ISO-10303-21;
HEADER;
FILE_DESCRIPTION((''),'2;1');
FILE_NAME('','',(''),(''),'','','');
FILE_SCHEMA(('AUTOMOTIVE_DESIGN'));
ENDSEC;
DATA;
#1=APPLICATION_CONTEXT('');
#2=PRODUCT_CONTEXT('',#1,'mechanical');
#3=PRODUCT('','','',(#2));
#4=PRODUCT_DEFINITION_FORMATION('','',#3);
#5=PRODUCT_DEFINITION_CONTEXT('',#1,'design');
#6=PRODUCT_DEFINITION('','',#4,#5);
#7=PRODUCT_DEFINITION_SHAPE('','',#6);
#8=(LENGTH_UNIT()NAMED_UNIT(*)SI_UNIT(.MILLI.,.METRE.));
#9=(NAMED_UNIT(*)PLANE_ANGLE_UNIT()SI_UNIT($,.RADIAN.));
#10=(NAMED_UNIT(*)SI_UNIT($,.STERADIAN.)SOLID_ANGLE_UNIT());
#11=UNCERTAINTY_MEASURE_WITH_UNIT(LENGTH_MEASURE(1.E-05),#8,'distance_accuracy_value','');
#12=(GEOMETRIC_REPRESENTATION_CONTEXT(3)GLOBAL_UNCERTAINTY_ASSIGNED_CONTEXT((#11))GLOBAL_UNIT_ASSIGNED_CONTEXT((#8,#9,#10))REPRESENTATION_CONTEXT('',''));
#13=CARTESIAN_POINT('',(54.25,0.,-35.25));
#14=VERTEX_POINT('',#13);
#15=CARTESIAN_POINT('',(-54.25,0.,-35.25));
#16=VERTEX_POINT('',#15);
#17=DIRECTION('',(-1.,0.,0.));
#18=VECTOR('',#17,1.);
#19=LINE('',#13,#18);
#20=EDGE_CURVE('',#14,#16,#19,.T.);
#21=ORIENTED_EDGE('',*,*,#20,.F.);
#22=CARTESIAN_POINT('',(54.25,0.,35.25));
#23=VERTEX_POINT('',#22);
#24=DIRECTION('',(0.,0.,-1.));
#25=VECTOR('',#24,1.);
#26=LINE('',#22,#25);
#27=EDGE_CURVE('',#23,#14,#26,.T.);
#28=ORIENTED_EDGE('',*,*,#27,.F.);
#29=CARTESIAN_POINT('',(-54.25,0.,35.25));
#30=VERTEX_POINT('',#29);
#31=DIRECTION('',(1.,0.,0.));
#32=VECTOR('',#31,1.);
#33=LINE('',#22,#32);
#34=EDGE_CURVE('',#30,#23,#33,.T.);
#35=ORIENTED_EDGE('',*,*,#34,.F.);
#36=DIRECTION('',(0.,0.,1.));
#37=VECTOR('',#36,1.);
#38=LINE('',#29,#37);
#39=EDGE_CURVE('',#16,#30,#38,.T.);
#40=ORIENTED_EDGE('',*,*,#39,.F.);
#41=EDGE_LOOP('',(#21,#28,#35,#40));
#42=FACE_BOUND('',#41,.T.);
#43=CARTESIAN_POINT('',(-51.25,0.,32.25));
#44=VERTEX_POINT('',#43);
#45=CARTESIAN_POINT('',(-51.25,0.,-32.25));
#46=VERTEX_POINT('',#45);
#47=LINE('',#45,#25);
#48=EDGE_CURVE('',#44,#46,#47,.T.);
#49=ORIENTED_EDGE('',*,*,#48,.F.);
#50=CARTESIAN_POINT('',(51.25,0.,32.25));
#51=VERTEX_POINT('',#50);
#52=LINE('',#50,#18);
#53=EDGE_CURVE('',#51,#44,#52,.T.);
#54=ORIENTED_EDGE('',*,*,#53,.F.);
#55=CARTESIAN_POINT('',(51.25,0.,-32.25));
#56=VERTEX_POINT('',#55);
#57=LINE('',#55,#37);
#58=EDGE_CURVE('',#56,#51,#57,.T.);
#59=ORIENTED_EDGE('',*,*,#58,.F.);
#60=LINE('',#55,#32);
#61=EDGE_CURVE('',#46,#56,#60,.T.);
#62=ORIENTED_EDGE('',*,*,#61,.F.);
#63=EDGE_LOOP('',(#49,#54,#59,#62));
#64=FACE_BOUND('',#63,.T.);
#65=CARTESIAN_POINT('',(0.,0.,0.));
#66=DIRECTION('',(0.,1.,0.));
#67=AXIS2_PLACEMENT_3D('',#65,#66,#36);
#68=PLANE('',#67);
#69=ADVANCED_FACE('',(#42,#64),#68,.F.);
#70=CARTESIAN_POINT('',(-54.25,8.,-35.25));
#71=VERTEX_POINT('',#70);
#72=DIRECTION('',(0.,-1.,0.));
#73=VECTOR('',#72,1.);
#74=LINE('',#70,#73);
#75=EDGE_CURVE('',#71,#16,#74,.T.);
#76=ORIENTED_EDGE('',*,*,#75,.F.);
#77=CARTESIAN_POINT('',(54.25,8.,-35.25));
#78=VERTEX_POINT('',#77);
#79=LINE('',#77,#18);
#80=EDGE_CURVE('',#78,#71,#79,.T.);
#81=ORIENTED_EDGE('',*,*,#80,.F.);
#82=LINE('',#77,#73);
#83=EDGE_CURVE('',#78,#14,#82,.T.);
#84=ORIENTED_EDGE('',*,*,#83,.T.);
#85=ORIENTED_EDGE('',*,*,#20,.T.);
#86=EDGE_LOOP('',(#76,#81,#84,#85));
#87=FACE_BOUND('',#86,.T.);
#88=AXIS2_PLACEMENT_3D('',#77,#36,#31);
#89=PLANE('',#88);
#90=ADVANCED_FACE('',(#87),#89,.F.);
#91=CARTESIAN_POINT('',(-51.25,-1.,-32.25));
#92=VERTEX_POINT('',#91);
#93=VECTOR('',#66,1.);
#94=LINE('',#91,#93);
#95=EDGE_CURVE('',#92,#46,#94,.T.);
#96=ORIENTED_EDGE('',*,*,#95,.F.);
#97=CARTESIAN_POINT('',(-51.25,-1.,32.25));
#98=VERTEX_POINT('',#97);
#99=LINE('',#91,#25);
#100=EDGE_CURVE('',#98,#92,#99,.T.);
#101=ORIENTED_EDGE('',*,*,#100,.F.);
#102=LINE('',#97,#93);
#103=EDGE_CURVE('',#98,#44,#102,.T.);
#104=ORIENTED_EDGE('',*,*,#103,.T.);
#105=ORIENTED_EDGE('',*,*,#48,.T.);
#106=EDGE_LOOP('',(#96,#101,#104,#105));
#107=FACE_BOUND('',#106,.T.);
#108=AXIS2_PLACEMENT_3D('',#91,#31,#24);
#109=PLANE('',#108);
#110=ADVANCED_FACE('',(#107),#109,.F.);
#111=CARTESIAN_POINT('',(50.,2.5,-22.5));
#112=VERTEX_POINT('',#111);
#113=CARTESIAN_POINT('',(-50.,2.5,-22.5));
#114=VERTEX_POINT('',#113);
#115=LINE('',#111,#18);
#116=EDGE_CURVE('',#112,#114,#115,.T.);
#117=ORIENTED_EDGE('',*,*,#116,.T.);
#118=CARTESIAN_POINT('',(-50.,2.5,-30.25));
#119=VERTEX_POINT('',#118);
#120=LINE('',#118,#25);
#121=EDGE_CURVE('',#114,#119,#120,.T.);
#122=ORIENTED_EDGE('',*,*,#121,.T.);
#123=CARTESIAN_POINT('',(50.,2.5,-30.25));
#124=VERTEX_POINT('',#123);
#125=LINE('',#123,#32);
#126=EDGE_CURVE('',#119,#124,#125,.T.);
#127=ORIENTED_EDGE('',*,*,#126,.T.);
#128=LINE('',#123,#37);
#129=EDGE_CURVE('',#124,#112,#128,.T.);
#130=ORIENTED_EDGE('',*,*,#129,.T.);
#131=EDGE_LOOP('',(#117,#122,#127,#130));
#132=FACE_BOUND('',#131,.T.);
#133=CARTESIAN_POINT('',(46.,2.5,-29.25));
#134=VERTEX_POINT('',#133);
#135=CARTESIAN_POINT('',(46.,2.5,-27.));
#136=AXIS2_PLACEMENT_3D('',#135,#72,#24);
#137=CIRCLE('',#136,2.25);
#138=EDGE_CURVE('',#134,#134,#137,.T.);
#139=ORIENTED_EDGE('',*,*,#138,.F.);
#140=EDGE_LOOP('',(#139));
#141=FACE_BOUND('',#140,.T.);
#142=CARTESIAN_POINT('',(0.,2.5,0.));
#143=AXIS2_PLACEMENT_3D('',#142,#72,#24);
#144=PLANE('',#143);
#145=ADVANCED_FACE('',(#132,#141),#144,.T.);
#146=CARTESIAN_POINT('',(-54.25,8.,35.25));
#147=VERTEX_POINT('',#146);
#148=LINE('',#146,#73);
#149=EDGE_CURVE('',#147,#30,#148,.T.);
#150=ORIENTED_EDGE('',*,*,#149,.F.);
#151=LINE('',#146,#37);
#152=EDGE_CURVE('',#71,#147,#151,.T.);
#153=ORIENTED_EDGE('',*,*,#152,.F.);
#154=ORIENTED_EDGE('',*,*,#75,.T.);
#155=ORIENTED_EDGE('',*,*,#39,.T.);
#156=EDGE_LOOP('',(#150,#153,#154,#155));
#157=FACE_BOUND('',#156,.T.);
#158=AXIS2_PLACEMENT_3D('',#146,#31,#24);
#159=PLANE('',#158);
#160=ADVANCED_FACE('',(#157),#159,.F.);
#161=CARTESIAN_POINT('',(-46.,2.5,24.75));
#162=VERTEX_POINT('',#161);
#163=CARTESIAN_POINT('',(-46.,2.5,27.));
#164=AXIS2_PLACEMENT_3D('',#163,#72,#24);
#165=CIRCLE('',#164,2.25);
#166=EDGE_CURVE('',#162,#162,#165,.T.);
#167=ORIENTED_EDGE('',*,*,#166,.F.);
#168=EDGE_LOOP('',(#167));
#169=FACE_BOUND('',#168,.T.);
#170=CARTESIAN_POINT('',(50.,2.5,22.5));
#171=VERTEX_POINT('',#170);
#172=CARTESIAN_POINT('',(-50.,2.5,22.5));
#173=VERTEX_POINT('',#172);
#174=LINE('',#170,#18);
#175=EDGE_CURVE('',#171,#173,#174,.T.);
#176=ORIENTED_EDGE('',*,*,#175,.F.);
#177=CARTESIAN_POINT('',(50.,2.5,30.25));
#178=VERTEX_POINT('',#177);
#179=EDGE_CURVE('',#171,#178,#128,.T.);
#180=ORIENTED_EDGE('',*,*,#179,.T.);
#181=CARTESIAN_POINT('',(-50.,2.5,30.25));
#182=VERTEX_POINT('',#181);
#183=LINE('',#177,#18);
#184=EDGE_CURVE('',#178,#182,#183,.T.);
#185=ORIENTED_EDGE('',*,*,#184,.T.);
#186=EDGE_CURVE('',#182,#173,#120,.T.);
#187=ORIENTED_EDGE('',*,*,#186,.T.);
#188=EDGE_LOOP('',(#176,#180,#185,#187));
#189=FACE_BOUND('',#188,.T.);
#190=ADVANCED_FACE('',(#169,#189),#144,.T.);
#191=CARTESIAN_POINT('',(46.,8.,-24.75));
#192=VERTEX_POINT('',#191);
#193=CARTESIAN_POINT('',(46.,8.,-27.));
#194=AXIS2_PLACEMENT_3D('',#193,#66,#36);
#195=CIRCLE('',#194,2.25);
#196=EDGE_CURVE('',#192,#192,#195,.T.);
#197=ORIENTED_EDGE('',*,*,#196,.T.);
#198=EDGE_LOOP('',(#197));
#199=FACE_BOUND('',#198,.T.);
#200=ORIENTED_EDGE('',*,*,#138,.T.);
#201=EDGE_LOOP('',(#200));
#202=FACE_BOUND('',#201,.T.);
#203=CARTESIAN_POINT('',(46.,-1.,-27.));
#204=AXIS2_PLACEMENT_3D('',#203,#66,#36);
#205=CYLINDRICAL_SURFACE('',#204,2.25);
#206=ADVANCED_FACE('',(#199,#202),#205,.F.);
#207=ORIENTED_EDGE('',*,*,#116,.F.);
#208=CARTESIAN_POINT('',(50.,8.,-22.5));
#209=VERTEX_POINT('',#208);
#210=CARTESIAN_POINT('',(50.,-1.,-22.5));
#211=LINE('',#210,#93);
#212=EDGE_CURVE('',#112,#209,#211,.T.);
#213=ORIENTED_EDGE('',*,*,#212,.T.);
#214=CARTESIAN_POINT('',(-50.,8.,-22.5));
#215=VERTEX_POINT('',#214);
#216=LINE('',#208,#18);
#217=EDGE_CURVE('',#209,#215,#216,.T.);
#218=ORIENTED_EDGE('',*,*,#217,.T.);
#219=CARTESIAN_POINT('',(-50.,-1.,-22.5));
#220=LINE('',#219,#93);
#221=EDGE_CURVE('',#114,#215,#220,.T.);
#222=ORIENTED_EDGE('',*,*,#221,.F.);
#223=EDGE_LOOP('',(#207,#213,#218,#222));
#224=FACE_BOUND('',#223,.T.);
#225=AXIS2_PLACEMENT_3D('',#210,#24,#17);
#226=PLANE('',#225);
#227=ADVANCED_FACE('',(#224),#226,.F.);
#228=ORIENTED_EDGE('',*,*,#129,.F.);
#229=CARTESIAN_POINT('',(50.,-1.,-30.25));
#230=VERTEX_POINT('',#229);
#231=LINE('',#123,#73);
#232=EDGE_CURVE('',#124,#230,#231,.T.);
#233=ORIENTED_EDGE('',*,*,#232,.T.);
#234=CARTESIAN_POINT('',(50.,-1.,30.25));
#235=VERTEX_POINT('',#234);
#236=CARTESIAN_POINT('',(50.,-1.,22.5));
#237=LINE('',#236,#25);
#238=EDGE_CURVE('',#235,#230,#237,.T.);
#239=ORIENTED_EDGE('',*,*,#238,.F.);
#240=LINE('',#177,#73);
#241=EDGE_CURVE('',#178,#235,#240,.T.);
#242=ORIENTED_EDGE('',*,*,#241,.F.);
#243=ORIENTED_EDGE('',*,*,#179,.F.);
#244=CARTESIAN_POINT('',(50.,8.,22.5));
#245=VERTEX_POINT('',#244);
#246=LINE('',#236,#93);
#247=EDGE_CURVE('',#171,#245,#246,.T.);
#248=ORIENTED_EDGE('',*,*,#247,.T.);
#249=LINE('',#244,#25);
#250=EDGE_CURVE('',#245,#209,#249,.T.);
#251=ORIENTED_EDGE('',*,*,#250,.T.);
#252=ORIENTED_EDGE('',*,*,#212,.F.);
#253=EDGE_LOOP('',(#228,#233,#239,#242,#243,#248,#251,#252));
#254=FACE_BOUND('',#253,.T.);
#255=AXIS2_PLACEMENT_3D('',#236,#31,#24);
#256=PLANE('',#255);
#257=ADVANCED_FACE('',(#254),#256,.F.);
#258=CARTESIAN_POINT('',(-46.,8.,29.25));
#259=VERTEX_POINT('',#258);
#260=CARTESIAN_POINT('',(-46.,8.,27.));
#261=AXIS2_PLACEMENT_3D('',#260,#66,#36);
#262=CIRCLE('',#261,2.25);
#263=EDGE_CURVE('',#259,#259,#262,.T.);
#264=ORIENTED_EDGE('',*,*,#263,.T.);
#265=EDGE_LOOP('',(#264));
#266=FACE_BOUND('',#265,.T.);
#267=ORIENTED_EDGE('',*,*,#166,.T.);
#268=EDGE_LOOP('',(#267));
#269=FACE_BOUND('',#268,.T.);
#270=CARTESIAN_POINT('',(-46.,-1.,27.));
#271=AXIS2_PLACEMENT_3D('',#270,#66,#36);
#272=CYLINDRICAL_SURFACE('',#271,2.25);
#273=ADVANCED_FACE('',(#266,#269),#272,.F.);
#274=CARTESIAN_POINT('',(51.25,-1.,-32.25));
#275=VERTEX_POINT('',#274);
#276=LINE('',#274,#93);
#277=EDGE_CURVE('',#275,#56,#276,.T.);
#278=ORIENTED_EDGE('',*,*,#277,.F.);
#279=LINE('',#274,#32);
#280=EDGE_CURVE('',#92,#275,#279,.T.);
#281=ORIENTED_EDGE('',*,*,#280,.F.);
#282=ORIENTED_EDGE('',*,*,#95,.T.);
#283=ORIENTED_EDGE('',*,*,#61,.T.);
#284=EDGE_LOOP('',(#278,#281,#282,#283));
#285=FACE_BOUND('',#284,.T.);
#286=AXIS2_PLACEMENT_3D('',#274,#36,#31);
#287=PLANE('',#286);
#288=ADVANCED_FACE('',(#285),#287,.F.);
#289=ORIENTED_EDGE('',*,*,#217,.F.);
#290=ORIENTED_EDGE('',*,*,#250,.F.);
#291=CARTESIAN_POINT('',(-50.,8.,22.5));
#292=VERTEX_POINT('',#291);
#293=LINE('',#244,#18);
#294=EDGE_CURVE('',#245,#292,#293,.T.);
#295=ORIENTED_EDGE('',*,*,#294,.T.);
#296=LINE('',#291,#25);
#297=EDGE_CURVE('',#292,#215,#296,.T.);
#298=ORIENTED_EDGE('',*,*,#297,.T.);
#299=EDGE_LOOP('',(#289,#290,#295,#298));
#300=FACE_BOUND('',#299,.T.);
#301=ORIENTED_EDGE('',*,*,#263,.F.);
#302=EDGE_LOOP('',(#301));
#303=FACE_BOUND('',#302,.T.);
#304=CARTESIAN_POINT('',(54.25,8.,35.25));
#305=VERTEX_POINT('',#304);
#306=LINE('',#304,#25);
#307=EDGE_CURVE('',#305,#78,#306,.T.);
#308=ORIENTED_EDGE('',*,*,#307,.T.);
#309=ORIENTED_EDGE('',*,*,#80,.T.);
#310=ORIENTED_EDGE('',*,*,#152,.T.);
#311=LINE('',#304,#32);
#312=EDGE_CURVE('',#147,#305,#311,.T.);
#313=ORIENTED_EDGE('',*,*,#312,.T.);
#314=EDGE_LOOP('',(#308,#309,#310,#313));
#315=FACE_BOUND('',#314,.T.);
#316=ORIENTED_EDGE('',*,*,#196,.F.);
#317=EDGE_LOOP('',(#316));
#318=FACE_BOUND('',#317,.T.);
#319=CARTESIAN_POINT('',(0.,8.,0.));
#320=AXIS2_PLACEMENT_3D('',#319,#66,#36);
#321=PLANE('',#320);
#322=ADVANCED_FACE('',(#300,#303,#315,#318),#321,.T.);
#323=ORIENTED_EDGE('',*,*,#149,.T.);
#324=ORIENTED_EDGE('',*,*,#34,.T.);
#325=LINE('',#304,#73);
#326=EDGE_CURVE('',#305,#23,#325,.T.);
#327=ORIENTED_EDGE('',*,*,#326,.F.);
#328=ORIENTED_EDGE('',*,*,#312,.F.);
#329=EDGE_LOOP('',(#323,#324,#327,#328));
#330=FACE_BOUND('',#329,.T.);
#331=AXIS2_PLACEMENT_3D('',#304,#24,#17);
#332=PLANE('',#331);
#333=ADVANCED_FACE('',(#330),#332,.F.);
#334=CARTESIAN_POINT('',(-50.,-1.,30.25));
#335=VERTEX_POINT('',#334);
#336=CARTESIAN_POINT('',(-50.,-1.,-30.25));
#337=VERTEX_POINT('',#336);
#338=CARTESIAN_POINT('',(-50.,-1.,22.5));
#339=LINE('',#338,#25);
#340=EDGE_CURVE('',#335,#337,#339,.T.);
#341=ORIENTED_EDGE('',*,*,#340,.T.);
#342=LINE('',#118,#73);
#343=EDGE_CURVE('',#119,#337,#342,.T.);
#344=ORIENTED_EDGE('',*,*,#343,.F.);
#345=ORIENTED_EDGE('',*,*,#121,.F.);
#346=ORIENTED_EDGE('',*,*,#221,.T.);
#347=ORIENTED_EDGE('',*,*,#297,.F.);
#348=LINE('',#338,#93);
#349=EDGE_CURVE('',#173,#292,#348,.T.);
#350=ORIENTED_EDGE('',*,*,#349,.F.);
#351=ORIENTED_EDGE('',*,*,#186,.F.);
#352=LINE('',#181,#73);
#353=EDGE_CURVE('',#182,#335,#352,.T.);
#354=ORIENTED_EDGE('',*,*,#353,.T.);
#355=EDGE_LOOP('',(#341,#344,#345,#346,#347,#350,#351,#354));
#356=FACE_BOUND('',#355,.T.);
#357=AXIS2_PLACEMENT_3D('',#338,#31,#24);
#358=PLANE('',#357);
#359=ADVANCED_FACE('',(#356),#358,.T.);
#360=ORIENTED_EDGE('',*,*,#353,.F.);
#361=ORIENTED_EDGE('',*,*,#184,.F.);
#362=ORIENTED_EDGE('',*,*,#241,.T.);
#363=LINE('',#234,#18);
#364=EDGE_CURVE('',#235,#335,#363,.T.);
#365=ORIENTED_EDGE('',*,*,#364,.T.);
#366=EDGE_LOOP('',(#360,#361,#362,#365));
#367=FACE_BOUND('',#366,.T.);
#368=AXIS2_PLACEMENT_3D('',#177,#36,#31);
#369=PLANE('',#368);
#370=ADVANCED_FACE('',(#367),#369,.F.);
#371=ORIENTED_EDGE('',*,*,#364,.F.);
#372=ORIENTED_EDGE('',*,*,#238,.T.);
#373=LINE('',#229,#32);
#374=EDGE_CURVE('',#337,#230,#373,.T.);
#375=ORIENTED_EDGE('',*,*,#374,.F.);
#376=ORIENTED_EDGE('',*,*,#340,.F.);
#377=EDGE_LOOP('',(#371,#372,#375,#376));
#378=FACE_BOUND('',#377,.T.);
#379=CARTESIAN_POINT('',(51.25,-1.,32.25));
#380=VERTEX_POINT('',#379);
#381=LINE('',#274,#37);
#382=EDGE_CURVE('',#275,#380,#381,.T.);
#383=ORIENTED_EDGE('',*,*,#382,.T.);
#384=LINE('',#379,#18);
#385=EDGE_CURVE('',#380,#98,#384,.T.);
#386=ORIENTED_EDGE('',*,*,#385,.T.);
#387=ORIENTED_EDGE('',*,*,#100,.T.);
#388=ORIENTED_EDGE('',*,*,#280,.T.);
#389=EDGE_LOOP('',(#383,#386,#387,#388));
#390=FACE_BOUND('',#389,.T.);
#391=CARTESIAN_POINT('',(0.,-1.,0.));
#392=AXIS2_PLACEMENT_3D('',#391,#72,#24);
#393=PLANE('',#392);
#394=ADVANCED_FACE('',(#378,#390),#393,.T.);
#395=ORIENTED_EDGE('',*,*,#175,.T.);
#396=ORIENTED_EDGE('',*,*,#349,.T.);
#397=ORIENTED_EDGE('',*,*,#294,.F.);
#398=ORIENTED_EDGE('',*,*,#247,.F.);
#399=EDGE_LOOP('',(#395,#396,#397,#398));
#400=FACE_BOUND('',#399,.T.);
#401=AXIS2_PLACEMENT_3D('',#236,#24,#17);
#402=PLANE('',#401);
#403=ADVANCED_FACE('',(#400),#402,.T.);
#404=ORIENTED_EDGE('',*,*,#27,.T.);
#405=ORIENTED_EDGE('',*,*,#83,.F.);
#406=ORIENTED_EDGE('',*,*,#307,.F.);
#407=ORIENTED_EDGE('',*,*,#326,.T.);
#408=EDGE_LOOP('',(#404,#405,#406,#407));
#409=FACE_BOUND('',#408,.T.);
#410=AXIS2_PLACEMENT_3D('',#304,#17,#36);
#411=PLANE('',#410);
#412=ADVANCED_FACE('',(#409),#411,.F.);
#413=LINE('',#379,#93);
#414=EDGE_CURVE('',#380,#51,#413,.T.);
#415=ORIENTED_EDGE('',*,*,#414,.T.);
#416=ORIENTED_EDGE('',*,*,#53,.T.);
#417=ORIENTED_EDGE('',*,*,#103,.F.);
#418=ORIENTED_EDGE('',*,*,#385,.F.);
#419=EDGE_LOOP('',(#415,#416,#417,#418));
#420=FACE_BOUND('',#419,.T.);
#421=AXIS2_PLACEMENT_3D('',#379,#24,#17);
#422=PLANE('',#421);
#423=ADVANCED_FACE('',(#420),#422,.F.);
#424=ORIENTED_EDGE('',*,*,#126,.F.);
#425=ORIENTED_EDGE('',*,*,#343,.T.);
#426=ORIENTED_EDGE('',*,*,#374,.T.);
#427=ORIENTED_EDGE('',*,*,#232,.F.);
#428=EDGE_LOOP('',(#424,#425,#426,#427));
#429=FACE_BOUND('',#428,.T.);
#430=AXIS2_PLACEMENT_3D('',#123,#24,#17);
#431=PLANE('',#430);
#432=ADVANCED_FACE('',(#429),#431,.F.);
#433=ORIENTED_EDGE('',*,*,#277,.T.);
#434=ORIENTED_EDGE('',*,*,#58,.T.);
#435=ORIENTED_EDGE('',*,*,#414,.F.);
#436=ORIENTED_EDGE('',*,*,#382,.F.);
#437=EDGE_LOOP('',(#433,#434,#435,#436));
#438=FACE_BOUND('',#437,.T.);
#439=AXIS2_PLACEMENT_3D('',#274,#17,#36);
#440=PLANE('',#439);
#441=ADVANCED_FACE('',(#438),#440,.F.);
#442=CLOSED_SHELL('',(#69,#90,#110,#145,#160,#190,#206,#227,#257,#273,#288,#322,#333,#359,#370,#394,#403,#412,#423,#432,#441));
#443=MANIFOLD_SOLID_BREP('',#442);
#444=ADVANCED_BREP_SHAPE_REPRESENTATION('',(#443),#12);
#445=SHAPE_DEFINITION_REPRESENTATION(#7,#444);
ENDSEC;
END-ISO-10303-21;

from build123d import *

# Parameters (mm, degrees)
SKETCH1_W           = 108.5
SKETCH1_H           = 70.5
BOSS_EXTRUDE1_DEPTH = 8
SKETCH3_W           = 102.5
SKETCH3_H           = 64.5
BOSS_EXTRUDE2_DEPTH = 1
SKETCH2_W           = 100
SKETCH2_H           = 45
CUT_EXTRUDE2_DEPTH  = 66.319407529
SKETCH4_W           = 100
SKETCH4_H           = 60.5
CUT_EXTRUDE3_DEPTH  = 3.5
SKETCH8_R           = 2.25
CUT_EXTRUDE6_DEPTH  = 66.319407529


with BuildPart() as part:
    # Sketch1 → Boss-Extrude1 (new body)
    with BuildSketch(Plane(origin=(0, 0, 0), x_dir=(1, 0, 0), z_dir=(0, 1, 0))):
        Rectangle(SKETCH1_W, SKETCH1_H)
    extrude(amount=BOSS_EXTRUDE1_DEPTH)

    # Sketch3 → Boss-Extrude2 (add)
    with BuildSketch(Plane.XZ):
        Rectangle(SKETCH3_W, SKETCH3_H)
    extrude(amount=BOSS_EXTRUDE2_DEPTH)

    # Sketch2 → Cut-Extrude2 (cut, through all)
    with BuildSketch(Plane(origin=(0, 8, 0), x_dir=(1, 0, 0), z_dir=(0, 1, 0))):
        Rectangle(SKETCH2_W, SKETCH2_H)
    extrude(amount=-CUT_EXTRUDE2_DEPTH, mode=Mode.SUBTRACT)

    # Sketch4 → Cut-Extrude3 (cut)
    with BuildSketch(Plane.XZ.offset(1)):
        Rectangle(SKETCH4_W, SKETCH4_H)
    extrude(amount=-CUT_EXTRUDE3_DEPTH, mode=Mode.SUBTRACT)

    # Sketch8 → Cut-Extrude6 (cut, through all)
    with BuildSketch(Plane(origin=(0, 8, 0), x_dir=(1, 0, 0), z_dir=(0, 1, 0))):
        with Locations(Location((-46, -27, 0), (0, 0, 270))):
            Circle(SKETCH8_R)
        with Locations(Location((46, 27, 0), (0, 0, 270))):
            Circle(SKETCH8_R)
    extrude(amount=-CUT_EXTRUDE6_DEPTH, mode=Mode.SUBTRACT)


solid = part.part
